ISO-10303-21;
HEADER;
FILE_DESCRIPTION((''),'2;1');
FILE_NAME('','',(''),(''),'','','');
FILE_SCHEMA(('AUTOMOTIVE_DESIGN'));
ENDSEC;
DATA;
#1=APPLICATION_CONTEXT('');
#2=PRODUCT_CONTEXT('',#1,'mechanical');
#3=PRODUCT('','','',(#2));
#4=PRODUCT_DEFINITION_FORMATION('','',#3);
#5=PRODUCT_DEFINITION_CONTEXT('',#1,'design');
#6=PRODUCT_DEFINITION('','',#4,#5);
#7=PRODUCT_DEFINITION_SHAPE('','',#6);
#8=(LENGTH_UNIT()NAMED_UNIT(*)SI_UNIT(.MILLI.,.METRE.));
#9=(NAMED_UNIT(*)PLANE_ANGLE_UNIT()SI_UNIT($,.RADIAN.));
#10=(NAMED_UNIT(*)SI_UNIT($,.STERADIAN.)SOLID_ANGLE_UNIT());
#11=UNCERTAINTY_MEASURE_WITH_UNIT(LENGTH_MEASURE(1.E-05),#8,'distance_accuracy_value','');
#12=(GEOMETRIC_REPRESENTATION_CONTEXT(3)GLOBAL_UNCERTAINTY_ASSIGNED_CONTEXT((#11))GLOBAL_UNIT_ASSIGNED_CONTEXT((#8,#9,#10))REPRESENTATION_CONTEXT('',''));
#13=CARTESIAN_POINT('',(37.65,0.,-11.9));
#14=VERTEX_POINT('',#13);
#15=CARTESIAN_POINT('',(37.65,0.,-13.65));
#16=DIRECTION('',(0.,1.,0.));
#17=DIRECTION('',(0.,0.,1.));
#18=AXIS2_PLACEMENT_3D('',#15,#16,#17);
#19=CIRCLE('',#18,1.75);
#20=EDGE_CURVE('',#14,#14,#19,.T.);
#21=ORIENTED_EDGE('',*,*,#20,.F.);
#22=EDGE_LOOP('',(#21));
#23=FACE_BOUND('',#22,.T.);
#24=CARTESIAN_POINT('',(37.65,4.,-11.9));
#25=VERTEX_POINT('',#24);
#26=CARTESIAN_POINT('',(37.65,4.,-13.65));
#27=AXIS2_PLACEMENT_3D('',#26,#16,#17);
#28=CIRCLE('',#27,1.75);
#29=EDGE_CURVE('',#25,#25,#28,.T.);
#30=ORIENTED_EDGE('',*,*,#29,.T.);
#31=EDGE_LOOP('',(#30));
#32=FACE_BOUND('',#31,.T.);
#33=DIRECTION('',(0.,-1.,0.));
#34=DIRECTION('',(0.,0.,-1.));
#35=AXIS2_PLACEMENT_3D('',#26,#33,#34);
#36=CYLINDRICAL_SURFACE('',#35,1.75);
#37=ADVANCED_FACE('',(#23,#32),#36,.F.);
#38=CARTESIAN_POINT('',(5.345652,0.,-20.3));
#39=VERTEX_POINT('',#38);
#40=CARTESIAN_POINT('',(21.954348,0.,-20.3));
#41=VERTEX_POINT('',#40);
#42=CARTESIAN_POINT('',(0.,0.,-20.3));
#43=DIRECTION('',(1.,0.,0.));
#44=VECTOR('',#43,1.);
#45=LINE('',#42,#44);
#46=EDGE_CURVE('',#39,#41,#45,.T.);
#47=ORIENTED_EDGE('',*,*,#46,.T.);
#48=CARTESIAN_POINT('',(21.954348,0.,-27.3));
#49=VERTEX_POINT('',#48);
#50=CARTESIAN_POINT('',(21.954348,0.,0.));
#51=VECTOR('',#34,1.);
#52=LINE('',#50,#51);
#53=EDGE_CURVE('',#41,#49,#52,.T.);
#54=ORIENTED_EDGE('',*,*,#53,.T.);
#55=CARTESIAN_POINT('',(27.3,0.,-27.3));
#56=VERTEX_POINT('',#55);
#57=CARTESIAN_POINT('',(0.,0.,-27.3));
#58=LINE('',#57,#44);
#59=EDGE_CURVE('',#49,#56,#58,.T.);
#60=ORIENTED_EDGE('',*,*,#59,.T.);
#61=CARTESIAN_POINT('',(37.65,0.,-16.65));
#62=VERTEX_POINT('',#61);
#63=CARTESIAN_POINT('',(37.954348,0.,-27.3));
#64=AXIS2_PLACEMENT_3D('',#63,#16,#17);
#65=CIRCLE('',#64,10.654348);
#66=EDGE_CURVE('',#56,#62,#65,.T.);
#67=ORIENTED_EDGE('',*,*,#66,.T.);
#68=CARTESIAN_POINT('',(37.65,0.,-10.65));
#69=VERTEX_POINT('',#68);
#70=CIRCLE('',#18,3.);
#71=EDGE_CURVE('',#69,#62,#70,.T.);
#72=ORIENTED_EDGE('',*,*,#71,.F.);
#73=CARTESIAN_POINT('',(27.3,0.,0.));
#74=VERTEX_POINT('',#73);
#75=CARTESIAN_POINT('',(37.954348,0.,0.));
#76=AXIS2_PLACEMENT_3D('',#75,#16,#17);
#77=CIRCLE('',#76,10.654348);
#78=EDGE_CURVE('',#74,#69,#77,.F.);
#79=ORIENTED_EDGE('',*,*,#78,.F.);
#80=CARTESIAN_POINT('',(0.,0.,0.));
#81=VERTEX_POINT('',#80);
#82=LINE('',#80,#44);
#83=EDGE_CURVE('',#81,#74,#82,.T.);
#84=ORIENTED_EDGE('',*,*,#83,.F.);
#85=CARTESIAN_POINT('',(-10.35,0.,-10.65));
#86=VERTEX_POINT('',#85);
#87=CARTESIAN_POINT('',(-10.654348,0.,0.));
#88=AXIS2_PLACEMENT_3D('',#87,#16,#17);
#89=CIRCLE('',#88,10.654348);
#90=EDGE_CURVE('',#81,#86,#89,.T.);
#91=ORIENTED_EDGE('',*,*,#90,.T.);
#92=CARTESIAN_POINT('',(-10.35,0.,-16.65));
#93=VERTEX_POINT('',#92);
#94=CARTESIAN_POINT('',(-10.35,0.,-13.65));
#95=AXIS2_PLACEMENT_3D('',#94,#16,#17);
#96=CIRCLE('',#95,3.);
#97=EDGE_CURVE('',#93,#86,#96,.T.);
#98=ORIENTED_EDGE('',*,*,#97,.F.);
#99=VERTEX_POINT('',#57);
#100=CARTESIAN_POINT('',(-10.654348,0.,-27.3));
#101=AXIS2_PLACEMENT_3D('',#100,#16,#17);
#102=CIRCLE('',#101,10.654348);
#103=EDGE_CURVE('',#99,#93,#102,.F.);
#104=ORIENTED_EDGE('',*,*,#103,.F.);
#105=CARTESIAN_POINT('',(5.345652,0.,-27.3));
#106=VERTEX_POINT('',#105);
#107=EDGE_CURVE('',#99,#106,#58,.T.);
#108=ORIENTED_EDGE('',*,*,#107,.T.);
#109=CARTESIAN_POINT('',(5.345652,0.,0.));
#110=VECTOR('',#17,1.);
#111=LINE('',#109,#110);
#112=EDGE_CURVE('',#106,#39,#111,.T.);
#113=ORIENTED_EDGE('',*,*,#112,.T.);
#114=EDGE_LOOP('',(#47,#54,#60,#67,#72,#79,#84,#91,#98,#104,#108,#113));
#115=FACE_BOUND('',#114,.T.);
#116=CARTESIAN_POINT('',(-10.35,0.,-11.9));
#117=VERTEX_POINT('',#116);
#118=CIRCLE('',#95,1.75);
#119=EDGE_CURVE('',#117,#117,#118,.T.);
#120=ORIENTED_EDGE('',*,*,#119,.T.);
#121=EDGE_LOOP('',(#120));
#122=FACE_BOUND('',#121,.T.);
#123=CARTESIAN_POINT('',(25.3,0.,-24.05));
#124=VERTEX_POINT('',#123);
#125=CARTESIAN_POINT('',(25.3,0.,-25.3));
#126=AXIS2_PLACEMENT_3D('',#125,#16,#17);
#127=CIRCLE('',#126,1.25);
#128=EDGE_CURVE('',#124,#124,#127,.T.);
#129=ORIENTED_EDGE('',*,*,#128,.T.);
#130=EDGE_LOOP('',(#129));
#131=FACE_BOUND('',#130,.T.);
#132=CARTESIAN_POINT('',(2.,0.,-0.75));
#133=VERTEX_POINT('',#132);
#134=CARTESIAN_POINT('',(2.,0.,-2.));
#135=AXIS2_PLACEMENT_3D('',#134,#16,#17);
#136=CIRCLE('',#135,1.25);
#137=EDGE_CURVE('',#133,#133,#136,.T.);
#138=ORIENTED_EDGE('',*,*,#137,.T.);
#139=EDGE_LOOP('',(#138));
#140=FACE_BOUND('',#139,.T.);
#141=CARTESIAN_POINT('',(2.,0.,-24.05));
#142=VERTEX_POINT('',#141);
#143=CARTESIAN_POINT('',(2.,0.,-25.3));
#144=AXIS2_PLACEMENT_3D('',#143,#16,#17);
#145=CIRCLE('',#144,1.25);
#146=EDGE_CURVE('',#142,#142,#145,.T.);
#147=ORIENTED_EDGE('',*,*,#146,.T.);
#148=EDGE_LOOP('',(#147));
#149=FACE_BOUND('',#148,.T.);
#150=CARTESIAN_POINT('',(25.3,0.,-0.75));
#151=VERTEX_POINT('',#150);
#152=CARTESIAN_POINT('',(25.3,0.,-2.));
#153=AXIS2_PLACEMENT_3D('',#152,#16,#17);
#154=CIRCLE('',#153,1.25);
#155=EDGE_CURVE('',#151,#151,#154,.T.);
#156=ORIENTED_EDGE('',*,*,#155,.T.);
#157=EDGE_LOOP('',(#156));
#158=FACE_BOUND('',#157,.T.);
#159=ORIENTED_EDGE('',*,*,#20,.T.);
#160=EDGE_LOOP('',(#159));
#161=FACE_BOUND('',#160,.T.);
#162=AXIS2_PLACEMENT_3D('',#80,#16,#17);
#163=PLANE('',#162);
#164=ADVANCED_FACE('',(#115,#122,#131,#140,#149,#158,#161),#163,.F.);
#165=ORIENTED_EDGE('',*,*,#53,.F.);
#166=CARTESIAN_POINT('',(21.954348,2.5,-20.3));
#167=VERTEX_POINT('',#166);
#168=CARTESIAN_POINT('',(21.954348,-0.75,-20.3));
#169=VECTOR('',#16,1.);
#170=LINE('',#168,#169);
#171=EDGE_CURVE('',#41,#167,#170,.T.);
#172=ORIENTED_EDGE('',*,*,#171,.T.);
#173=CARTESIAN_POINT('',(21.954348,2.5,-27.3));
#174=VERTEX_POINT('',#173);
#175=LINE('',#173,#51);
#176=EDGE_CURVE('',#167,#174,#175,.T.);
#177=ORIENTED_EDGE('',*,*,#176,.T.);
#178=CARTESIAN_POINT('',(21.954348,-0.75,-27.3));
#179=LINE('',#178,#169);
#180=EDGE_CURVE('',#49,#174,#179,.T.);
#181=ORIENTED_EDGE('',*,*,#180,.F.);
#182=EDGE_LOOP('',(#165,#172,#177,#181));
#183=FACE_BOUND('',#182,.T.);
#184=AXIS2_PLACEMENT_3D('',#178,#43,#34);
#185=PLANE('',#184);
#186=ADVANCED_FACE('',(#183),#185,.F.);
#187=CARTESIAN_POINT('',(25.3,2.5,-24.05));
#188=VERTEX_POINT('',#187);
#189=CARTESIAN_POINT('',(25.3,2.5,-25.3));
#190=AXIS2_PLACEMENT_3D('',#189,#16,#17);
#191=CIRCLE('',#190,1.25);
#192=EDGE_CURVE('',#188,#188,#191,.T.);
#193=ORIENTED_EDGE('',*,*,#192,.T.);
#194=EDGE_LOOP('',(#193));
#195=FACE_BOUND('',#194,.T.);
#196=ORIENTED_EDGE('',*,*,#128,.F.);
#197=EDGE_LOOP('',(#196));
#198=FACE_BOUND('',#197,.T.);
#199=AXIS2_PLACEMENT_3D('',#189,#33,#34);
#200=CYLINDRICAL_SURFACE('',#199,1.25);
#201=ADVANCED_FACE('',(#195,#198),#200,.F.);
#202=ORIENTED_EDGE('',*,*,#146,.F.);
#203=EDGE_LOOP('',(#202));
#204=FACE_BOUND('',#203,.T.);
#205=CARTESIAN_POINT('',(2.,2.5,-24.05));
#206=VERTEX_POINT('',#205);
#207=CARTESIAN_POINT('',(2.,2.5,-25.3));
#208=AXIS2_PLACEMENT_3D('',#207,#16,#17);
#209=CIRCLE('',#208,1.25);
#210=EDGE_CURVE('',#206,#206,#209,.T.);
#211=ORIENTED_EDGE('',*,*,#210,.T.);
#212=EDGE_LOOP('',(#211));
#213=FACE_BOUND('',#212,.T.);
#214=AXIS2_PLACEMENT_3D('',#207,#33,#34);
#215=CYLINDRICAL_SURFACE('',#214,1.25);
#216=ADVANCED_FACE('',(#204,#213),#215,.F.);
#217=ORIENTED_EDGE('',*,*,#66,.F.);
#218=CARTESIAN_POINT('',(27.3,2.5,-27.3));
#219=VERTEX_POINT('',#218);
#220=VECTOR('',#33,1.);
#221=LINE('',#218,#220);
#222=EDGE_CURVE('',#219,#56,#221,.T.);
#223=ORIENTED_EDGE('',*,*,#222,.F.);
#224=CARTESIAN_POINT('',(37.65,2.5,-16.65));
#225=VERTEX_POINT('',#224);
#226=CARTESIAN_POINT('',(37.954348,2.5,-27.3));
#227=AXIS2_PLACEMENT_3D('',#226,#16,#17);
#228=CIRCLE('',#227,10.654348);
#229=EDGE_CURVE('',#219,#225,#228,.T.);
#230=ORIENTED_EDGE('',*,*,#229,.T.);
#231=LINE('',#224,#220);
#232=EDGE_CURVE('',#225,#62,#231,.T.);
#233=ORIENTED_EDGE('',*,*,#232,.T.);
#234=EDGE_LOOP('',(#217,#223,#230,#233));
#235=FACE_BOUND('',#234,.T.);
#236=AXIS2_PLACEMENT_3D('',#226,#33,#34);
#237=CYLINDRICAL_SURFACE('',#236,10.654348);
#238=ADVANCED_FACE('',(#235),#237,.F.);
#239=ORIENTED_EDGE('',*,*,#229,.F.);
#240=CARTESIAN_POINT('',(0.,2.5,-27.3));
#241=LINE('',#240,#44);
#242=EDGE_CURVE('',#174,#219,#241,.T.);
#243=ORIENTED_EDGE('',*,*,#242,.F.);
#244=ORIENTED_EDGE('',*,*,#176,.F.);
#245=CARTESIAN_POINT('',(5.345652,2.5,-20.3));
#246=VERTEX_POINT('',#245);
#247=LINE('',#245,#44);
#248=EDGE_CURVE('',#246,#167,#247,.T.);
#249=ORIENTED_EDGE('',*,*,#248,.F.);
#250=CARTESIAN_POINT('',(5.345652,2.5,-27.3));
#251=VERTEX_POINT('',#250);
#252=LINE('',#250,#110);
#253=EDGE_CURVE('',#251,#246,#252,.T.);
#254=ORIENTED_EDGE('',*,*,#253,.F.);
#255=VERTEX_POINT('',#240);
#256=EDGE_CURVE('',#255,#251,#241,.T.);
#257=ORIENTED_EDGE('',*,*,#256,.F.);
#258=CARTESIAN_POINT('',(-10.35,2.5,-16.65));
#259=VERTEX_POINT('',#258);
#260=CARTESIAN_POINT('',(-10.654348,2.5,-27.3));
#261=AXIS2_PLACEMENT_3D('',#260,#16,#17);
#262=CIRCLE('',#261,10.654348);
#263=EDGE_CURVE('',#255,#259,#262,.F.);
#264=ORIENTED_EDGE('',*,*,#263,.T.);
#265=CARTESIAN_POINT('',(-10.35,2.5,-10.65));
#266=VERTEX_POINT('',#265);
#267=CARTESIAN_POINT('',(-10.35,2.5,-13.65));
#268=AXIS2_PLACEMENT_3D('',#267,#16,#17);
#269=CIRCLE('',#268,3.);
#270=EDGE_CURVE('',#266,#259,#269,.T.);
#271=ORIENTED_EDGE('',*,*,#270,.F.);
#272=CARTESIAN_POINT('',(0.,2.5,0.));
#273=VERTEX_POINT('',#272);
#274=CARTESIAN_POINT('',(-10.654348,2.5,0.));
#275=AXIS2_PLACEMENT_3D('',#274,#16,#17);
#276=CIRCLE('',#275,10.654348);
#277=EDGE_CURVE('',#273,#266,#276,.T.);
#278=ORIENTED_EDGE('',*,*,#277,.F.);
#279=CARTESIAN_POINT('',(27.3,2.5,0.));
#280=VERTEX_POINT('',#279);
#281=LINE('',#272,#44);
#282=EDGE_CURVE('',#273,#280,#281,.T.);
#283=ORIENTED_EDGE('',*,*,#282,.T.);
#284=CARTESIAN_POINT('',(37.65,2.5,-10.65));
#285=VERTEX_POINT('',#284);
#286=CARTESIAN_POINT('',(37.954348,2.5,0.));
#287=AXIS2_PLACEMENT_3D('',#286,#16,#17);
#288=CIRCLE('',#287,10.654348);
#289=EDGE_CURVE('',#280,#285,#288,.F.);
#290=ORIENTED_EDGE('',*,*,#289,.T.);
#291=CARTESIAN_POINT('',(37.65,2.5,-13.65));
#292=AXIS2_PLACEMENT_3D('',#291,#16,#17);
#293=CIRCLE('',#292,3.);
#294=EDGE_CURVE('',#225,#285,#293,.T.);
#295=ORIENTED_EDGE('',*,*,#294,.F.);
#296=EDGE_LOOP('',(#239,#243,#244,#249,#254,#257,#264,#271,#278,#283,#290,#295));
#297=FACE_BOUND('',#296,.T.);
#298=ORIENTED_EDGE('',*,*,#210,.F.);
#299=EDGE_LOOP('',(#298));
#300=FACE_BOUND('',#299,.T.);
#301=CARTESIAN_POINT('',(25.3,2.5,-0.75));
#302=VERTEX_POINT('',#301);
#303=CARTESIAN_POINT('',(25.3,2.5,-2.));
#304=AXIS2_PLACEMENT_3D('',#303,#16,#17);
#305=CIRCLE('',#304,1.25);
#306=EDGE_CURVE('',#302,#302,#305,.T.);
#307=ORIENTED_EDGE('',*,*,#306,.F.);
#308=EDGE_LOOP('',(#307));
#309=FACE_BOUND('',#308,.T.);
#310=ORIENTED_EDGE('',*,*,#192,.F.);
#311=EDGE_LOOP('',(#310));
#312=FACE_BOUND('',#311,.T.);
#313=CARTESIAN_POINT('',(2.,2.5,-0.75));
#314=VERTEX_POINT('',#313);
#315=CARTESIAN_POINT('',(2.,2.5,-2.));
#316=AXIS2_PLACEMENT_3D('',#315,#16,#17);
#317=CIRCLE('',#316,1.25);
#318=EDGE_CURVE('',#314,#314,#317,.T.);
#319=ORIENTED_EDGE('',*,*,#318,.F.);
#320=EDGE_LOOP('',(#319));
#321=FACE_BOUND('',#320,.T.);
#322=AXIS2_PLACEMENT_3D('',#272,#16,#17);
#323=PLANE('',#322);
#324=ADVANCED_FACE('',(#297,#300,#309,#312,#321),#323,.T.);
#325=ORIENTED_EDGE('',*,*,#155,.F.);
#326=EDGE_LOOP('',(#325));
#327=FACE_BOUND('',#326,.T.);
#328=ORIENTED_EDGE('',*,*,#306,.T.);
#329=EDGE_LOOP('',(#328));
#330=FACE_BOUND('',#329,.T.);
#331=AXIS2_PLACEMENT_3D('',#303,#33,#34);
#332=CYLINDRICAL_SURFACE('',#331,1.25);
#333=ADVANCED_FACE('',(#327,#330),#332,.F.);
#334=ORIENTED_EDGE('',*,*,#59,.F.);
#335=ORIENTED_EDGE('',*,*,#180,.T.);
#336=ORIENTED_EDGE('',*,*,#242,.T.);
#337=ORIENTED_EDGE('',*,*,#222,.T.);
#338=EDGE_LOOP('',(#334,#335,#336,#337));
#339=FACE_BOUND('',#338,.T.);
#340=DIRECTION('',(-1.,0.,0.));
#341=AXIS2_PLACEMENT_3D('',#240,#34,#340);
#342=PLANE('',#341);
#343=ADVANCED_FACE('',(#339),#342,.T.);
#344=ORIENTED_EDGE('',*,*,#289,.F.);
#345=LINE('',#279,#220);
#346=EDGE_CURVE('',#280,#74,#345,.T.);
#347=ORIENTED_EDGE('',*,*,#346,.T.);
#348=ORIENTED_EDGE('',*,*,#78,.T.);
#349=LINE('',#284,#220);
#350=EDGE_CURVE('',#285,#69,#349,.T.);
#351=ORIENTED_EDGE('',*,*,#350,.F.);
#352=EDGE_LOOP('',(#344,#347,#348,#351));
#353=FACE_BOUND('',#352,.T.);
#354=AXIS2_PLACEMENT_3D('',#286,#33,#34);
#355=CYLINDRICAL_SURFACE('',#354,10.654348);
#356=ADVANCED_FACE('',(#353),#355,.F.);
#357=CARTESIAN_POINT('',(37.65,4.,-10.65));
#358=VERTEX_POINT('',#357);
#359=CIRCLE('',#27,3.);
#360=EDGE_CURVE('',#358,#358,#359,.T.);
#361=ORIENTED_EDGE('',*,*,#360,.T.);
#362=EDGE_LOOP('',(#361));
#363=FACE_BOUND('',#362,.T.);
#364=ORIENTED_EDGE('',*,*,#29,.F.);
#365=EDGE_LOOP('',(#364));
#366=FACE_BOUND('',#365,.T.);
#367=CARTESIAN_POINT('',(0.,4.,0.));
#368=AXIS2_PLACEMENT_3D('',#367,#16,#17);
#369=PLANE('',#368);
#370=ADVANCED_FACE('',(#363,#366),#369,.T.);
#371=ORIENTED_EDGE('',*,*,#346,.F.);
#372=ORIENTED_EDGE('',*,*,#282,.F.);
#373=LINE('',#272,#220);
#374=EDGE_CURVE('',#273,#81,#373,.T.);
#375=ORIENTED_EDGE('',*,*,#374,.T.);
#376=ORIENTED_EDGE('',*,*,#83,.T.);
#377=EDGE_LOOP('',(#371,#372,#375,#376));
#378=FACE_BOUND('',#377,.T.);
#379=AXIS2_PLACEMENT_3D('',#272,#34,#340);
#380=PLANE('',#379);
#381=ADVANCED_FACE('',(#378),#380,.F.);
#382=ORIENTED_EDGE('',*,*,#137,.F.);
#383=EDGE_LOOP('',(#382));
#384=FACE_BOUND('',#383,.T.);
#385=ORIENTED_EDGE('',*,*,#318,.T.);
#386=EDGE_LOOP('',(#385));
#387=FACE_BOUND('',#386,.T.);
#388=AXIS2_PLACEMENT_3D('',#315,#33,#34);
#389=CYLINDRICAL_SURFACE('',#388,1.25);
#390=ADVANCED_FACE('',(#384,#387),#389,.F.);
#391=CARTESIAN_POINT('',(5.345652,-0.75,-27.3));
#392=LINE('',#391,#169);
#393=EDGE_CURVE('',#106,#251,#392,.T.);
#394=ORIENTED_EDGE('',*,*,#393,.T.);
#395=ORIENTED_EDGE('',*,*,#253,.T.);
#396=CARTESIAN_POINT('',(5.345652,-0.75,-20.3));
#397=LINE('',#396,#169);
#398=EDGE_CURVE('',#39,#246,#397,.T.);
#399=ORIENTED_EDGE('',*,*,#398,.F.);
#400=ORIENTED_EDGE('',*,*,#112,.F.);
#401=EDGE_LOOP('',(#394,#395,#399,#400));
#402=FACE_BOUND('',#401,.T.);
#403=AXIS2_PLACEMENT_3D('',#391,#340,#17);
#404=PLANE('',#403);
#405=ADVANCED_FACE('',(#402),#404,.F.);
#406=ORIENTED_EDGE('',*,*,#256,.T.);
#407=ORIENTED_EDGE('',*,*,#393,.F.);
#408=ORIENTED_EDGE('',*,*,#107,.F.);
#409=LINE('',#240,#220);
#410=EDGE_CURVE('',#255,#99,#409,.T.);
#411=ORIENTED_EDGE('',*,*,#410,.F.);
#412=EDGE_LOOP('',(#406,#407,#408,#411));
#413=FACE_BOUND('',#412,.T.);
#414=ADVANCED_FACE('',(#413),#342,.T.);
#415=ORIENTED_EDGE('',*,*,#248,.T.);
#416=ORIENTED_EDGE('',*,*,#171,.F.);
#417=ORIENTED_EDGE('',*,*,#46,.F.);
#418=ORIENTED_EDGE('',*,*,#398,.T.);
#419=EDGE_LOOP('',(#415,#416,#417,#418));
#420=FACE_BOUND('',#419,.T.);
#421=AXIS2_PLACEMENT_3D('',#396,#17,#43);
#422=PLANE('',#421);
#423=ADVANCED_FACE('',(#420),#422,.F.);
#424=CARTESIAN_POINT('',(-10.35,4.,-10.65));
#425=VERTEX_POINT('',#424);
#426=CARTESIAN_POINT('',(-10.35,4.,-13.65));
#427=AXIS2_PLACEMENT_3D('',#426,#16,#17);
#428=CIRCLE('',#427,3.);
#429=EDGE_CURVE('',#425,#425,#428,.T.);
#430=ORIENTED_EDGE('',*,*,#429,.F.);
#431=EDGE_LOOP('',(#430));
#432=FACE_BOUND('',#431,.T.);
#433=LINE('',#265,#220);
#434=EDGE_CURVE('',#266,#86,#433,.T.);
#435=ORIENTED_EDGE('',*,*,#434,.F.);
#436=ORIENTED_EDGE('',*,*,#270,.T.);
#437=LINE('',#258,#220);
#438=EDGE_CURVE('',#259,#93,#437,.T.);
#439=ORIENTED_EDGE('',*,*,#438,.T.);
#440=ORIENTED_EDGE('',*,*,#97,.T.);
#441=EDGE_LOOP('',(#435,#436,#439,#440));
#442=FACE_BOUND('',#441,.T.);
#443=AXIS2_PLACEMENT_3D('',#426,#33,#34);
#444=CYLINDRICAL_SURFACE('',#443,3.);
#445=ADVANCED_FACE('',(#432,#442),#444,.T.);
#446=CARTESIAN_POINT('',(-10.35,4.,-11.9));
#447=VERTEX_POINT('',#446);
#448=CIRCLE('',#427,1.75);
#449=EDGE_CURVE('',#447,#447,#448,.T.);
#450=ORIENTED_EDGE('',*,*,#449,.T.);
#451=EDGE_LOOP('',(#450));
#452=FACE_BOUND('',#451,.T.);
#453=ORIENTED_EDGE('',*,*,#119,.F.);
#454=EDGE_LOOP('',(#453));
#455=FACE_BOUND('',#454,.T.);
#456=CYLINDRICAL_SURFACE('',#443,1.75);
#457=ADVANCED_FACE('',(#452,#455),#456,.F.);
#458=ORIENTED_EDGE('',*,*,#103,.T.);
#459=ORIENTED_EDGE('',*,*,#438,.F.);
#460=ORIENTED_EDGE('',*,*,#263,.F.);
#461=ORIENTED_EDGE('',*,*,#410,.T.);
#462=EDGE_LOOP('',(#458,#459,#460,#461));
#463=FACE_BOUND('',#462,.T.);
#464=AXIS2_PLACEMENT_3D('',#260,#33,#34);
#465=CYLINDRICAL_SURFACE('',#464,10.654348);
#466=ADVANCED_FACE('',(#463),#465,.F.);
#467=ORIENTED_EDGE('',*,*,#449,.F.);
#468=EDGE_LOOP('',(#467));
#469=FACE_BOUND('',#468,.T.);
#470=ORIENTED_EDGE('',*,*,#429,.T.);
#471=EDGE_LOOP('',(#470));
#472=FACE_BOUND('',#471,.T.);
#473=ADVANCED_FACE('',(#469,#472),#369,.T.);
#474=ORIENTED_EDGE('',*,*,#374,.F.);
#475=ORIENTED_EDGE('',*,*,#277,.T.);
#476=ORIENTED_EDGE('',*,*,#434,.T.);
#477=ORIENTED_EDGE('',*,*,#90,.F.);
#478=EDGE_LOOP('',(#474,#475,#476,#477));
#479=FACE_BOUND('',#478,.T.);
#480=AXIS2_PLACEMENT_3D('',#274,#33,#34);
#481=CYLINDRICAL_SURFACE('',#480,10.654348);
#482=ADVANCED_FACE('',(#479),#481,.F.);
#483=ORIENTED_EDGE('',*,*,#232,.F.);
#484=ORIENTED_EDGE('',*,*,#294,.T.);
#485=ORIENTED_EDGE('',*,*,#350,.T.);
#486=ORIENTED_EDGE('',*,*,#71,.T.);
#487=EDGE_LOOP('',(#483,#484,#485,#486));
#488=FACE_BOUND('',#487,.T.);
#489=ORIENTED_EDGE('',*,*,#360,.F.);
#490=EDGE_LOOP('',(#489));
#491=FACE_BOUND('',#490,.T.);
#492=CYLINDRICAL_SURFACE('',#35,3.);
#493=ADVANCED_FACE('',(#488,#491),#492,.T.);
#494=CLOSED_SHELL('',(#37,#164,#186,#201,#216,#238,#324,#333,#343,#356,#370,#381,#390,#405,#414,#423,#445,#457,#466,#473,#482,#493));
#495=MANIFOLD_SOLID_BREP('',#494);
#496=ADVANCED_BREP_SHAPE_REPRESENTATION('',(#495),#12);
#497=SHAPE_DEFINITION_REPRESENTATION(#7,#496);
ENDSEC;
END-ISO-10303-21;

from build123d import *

# Parameters (mm, degrees)
SKETCH2_R           = 1.25
BOSS_EXTRUDE1_DEPTH = 2.5
SKETCH2_4_R         = 3
SKETCH2_4_R_2       = 1.75
BOSS_EXTRUDE2_DEPTH = 4
SKETCH3_W           = 16.608695652
SKETCH3_H           = 7
CUT_EXTRUDE1_DEPTH  = 3.25


with BuildPart() as part:
    # Sketch2 → Boss-Extrude1 (new body)
    with BuildSketch(Plane(origin=(0, 0, 0), x_dir=(1, 0, 0), z_dir=(0, 1, 0))):
        with BuildLine():
            Line((27.3, 27.3), (0, 27.3))
            ThreePointArc((0, 27.3), (-3.013740677, 19.874621222), (-10.35, 16.65))
            ThreePointArc((-10.35, 16.65), (-7.35, 13.65), (-10.35, 10.65))
            ThreePointArc((-10.35, 10.65), (-3.013740677, 7.425378778), (0, 0))
            Line((0, 0), (27.3, 0))
            ThreePointArc((27.3, 0), (30.313740677, 7.425378778), (37.65, 10.65))
            ThreePointArc((37.65, 10.65), (34.65, 13.65), (37.65, 16.65))
            ThreePointArc((37.65, 16.65), (30.313740677, 19.874621222), (27.3, 27.3))
        make_face()
        with Locations((2, 25.3)):
            Circle(SKETCH2_R, mode=Mode.SUBTRACT)
        with Locations((2, 2)):
            Circle(SKETCH2_R, mode=Mode.SUBTRACT)
        with Locations((25.3, 2)):
            Circle(SKETCH2_R, mode=Mode.SUBTRACT)
        with Locations((25.3, 25.3)):
            Circle(SKETCH2_R, mode=Mode.SUBTRACT)
    extrude(amount=BOSS_EXTRUDE1_DEPTH)

    # Sketch2<4> → Boss-Extrude2 (add)
    # profile 1 of 2: a face of its own
    with BuildSketch(Plane(origin=(0, 0, 0), x_dir=(1, 0, 0), z_dir=(0, 1, 0))):
        with Locations((-10.35, 13.65)):
            Circle(SKETCH2_4_R)
        with Locations((-10.35, 13.65)):
            Circle(SKETCH2_4_R_2, mode=Mode.SUBTRACT)
    # profile 2 of 2: a face of its own
    with BuildSketch(Plane(origin=(0, 0, 0), x_dir=(1, 0, 0), z_dir=(0, 1, 0))):
        with Locations((37.65, 13.65)):
            Circle(SKETCH2_4_R)
        with Locations((37.65, 13.65)):
            Circle(SKETCH2_4_R_2, mode=Mode.SUBTRACT)
    extrude(amount=BOSS_EXTRUDE2_DEPTH)

    # Sketch3 → Cut-Extrude1 (cut)
    with BuildSketch(Plane(origin=(0, 2.5, 0), x_dir=(1, 0, 0), z_dir=(0, 1, 0))):
        with Locations((13.65, 23.8)):
            Rectangle(SKETCH3_W, SKETCH3_H)
    extrude(amount=-CUT_EXTRUDE1_DEPTH, mode=Mode.SUBTRACT)


solid = part.part
